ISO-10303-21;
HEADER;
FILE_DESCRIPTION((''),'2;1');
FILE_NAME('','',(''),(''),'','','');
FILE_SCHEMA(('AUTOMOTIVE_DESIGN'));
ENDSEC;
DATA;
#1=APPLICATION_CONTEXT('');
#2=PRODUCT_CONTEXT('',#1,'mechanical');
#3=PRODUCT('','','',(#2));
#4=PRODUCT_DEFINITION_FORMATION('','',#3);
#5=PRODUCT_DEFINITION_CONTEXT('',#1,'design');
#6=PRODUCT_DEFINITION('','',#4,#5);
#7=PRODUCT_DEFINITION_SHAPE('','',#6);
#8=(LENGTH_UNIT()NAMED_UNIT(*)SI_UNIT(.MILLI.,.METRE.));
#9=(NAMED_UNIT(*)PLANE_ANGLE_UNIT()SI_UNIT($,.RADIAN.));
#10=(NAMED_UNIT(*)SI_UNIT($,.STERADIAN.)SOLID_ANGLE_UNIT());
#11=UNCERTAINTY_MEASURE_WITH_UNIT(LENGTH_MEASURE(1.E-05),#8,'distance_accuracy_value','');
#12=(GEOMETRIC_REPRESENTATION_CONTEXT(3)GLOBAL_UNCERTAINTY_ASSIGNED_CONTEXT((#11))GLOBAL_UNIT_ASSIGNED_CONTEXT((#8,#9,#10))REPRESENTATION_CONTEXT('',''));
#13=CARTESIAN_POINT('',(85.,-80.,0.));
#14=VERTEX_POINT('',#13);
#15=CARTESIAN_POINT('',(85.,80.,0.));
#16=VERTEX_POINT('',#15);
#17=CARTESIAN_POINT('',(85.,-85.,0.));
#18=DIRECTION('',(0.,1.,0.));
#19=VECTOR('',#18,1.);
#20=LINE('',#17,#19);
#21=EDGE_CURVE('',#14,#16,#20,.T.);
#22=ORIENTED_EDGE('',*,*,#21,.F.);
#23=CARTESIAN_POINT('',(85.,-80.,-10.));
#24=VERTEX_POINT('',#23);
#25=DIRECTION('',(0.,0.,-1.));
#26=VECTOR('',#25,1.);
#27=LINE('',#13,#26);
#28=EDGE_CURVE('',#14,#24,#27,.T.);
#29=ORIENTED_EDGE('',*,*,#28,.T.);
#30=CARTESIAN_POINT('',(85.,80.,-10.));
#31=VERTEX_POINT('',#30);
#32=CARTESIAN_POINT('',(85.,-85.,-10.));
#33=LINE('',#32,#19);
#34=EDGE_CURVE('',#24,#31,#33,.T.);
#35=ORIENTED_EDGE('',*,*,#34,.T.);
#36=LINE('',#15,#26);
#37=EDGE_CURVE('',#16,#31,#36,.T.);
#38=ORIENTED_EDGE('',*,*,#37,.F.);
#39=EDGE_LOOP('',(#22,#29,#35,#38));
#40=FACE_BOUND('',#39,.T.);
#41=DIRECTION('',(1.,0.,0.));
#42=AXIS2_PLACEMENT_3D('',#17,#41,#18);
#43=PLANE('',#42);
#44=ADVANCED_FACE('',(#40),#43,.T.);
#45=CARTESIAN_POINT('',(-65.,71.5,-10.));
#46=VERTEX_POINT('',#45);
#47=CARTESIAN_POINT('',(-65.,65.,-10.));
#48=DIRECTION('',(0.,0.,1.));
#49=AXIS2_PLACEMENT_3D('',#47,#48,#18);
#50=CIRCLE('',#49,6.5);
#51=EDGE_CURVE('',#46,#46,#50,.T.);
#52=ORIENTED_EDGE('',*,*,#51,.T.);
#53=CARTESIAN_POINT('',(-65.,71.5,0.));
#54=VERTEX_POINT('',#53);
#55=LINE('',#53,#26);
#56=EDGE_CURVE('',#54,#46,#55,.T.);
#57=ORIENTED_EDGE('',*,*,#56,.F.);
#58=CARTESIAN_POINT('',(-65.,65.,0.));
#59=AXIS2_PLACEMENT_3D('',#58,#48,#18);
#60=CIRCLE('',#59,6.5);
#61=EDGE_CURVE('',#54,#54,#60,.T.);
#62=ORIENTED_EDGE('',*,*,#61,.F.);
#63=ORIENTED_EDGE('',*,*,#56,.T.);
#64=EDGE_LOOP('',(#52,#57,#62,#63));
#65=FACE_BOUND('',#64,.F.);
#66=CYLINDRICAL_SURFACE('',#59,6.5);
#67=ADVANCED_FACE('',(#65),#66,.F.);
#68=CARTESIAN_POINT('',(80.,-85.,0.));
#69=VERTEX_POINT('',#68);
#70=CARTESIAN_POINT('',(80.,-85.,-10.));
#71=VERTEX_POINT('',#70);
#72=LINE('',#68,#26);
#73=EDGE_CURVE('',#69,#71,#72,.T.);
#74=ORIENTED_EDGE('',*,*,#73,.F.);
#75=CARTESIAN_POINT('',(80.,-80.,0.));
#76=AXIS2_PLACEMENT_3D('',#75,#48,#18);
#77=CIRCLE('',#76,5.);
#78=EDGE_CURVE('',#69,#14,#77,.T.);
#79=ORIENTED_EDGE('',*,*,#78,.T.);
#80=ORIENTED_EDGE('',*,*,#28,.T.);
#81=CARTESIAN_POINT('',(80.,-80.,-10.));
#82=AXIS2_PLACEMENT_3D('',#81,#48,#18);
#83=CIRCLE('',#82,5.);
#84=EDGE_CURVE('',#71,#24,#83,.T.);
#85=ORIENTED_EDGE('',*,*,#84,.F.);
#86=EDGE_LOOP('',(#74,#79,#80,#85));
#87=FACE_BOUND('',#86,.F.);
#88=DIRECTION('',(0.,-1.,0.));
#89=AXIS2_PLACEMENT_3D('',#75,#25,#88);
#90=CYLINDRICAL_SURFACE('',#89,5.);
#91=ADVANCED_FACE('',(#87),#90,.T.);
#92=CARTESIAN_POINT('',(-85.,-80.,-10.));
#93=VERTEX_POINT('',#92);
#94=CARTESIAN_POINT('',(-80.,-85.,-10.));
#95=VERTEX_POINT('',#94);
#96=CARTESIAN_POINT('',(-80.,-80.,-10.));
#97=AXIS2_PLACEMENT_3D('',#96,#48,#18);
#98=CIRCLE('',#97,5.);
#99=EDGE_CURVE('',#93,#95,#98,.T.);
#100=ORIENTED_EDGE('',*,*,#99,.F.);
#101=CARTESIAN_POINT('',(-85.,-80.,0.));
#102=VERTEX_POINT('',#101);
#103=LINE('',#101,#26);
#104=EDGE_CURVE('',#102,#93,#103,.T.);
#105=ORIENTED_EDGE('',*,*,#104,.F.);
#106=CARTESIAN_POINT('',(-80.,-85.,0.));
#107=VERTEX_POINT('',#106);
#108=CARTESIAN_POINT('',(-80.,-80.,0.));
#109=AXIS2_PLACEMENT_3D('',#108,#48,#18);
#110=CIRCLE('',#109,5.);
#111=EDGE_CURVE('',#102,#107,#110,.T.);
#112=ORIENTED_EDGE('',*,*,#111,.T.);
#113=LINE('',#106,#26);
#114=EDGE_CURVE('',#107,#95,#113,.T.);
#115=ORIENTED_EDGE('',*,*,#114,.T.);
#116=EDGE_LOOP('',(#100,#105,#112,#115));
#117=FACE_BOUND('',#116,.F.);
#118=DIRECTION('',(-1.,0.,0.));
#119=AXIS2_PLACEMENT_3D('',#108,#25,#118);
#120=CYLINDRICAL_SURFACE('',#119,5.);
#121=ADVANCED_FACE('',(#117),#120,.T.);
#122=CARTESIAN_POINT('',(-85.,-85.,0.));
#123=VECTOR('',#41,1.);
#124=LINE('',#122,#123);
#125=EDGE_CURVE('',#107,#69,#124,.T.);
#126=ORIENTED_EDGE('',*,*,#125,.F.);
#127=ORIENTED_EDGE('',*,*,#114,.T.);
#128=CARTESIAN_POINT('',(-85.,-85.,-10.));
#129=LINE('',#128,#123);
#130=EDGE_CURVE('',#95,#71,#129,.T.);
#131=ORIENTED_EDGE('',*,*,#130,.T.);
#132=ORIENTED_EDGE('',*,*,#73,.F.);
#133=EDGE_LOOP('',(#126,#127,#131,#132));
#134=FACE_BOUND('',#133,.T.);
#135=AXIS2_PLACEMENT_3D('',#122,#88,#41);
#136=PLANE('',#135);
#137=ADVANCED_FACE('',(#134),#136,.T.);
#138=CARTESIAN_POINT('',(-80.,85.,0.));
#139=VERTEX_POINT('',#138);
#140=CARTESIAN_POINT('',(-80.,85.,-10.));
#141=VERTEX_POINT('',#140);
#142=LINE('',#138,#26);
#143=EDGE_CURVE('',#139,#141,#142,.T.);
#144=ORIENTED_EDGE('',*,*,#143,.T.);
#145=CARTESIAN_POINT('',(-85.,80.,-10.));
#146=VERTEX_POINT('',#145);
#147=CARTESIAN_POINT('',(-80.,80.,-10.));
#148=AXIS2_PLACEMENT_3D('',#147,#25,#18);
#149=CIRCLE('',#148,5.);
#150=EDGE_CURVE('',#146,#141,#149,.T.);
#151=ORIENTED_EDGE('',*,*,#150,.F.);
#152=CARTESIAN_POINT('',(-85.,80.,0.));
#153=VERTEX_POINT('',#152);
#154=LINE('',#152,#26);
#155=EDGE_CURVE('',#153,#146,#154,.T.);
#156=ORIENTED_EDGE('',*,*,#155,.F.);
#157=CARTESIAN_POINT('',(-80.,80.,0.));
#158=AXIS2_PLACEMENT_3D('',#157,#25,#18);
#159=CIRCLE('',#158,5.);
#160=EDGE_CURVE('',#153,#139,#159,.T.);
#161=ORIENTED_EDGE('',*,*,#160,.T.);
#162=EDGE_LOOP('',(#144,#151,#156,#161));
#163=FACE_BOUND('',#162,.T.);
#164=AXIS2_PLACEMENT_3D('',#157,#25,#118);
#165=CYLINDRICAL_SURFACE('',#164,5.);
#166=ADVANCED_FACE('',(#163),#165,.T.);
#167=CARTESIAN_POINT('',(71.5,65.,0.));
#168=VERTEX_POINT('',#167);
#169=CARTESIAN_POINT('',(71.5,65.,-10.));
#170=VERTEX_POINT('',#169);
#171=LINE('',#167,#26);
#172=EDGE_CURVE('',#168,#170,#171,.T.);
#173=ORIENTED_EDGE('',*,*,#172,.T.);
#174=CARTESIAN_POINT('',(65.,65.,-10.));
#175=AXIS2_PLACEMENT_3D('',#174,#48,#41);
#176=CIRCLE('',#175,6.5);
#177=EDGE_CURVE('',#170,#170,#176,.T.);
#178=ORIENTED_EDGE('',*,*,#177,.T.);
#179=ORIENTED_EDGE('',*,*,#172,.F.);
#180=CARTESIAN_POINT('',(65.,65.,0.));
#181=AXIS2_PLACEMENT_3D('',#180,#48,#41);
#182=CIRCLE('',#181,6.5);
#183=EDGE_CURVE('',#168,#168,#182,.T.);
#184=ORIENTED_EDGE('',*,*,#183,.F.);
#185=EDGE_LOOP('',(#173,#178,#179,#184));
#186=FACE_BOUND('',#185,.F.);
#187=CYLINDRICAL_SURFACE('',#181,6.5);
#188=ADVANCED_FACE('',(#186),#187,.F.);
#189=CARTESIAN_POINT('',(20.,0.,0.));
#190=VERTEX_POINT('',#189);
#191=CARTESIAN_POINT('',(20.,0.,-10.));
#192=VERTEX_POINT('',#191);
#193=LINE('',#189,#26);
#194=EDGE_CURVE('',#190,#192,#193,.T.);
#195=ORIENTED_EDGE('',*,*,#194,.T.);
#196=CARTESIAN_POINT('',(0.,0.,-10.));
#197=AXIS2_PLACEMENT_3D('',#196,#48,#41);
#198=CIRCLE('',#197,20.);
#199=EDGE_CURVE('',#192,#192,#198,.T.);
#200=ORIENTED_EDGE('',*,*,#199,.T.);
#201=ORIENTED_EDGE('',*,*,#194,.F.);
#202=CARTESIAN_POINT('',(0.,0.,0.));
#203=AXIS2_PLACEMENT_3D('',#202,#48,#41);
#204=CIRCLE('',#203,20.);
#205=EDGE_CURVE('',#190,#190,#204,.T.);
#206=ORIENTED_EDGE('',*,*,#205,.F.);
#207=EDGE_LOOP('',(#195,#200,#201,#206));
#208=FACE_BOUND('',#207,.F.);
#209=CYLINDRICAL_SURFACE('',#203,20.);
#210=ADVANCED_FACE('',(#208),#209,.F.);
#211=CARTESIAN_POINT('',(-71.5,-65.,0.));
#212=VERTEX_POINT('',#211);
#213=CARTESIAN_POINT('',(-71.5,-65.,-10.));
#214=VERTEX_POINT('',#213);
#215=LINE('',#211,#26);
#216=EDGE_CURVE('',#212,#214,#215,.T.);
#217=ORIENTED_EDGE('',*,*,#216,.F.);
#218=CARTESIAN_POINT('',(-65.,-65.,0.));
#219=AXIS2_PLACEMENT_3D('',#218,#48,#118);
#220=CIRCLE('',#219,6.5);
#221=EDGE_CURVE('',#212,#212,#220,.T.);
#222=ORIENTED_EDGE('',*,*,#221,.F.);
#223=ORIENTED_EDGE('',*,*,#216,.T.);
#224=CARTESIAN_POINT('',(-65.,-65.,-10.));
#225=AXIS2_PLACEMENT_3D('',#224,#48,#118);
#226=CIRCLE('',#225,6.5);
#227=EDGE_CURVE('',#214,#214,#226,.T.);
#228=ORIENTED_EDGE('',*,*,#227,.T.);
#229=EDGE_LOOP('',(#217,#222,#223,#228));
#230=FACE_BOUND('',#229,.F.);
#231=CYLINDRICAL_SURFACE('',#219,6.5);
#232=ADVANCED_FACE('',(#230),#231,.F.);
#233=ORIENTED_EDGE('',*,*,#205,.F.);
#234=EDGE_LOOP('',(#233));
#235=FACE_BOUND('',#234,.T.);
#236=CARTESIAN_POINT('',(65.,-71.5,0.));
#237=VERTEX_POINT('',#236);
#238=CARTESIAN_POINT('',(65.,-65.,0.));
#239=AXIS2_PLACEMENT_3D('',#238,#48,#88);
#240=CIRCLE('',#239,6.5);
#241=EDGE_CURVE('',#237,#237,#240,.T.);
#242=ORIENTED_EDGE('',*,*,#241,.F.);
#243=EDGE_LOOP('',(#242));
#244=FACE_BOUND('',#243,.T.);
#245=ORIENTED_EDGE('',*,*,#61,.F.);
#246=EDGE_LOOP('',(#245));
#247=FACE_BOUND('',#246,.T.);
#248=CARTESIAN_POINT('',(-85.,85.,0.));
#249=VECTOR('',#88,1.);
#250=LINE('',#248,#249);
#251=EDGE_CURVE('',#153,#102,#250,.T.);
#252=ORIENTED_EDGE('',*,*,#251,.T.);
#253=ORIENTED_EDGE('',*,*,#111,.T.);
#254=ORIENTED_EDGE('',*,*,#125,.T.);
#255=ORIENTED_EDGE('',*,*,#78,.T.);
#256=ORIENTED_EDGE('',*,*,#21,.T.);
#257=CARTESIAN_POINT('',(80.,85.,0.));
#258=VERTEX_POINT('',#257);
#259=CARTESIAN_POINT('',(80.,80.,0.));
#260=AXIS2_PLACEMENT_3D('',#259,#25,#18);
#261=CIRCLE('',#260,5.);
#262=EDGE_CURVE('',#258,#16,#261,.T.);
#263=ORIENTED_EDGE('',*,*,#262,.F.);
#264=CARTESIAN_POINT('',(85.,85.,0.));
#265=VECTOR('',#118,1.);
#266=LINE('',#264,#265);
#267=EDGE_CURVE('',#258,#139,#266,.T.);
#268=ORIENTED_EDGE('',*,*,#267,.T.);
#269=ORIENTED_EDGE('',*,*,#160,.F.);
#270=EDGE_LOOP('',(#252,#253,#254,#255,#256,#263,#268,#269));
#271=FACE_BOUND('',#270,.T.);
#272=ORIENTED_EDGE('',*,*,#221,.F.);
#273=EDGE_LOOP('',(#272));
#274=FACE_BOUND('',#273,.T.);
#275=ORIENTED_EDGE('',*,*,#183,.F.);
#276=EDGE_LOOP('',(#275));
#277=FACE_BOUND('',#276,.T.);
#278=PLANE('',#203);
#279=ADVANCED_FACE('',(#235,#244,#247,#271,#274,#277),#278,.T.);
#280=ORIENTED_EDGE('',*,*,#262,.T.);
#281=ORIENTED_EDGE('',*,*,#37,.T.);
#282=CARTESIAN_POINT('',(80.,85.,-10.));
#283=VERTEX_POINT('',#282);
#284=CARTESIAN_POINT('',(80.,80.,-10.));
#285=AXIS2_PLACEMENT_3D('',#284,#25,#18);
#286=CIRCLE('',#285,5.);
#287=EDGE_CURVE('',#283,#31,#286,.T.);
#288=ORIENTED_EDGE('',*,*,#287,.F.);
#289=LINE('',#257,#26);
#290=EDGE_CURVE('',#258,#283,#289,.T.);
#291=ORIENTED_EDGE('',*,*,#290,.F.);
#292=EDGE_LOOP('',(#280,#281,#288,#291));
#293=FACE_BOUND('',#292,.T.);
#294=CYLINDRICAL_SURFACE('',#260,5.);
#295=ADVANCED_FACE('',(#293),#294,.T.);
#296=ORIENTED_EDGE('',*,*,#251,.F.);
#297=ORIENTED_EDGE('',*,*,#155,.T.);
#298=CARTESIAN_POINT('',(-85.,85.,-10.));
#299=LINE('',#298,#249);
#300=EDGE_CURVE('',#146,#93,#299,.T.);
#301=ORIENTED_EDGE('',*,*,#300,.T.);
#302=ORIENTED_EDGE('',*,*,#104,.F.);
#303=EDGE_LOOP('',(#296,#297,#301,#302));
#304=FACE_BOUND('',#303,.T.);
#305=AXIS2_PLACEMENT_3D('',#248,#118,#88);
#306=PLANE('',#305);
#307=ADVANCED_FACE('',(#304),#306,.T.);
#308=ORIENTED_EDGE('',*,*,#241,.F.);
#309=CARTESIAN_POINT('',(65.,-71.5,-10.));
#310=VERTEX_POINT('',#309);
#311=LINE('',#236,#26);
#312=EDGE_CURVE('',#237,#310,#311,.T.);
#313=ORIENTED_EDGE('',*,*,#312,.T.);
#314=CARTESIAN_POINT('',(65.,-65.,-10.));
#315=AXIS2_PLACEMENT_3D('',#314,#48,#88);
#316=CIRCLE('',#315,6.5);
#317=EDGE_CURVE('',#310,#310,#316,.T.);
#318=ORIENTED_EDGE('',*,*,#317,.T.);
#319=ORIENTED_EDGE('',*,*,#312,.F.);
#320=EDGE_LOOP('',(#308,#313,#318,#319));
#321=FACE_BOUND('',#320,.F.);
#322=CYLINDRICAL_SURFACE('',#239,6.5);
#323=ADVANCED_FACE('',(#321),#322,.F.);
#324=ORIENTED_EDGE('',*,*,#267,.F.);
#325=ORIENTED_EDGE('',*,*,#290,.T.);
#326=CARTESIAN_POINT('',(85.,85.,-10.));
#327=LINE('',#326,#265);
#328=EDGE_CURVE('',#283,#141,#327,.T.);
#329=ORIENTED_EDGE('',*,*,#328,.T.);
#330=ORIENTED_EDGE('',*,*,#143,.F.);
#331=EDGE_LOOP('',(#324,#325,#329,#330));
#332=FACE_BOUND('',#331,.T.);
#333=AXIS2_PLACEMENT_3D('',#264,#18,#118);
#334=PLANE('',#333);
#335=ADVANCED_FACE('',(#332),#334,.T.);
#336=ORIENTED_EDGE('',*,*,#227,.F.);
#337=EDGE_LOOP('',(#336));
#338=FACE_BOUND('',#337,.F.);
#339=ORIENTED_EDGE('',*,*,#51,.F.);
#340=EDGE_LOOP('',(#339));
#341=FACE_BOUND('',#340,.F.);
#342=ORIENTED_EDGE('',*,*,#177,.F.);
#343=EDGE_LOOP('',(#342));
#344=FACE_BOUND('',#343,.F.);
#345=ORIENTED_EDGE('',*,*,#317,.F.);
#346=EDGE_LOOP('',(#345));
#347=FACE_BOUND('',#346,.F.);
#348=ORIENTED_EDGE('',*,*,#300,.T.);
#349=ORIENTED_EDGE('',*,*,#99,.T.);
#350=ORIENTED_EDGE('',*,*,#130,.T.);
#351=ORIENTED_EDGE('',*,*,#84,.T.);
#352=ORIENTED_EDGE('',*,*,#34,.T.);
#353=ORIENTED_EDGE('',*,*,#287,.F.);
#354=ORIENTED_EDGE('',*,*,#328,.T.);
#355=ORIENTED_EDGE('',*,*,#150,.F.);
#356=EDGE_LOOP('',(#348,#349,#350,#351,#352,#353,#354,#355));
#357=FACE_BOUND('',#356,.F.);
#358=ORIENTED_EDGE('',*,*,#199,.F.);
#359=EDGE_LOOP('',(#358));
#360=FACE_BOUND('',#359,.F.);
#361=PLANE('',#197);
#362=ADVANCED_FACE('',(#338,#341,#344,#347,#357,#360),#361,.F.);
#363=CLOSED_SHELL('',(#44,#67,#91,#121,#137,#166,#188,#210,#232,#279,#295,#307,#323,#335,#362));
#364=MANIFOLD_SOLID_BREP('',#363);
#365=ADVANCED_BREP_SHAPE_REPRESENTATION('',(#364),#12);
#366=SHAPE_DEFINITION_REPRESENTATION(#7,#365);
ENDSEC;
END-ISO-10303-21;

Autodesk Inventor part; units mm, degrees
ref_plane "YZ Plane" through (0, 0, 0) normal (1, 0, 0) x (0, 1, 0)
ref_plane "XZ Plane" through (0, 0, 0) normal (0, 1, 0) x (-1, 0, 0)
ref_plane "XY Plane" through (0, 0, 0) normal (0, 0, 1) x (1, 0, 0)
sketch "Sketch1" plane through (0, 0, 0) normal (0, 0, 1) x (1, 0, 0)
  circle A0 centre (0, 0) radius 20
  line L0 (-85, -85) -> (85, -85)
  line L1 (85, -85) -> (85, 85)
  line L2 (85, 85) -> (-85, 85)
  line L3 (-85, 85) -> (-85, -85)
  line L4 (-85, -85) -> (85, 85) construction
  line L5 (85, -85) -> (-85, 85) construction
  dimension "d0" = 40
  dimension "d13" = 170
extrude "Extrusion1" add sketch "Sketch1" against normal blind 10
sketch "Sketch4" plane through (0, 0, 0) normal (0, 0, 1) x (1, 0, 0)
  line L0 (85, 85) -> (-85, 85) projected
  line L1 (-85, -85) -> (85, -85) projected
  line L2 (0, 0) -> (85, 85) construction
  circle A0 centre (65, 65) radius 6.5
  circle A1 centre (0, 0) radius 91.9239 construction
  dimension "d22" = 183.8478
  dimension "d23" = 13
  dimension "d24" = 65
  dimension "d25" = 65
extrude "Extrusion2" cut sketch "Sketch4" against normal through all
pattern_circular "Circular Pattern2" count 4 over 360 about axis through (0, 0, 0) along (0, 0, -1) of "Extrusion2"
fillet "Fillet1" radius 5 4 edges at (85, -85, -5) (-85, -85, -5) (-85, 85, -5) (85, 85, -5)
equation "\"BendReliefDepth\" = 0.5 * Thickness"
equation "\"Thickness\" = 10"
properties part number "NVPH-343 cup head flange"
